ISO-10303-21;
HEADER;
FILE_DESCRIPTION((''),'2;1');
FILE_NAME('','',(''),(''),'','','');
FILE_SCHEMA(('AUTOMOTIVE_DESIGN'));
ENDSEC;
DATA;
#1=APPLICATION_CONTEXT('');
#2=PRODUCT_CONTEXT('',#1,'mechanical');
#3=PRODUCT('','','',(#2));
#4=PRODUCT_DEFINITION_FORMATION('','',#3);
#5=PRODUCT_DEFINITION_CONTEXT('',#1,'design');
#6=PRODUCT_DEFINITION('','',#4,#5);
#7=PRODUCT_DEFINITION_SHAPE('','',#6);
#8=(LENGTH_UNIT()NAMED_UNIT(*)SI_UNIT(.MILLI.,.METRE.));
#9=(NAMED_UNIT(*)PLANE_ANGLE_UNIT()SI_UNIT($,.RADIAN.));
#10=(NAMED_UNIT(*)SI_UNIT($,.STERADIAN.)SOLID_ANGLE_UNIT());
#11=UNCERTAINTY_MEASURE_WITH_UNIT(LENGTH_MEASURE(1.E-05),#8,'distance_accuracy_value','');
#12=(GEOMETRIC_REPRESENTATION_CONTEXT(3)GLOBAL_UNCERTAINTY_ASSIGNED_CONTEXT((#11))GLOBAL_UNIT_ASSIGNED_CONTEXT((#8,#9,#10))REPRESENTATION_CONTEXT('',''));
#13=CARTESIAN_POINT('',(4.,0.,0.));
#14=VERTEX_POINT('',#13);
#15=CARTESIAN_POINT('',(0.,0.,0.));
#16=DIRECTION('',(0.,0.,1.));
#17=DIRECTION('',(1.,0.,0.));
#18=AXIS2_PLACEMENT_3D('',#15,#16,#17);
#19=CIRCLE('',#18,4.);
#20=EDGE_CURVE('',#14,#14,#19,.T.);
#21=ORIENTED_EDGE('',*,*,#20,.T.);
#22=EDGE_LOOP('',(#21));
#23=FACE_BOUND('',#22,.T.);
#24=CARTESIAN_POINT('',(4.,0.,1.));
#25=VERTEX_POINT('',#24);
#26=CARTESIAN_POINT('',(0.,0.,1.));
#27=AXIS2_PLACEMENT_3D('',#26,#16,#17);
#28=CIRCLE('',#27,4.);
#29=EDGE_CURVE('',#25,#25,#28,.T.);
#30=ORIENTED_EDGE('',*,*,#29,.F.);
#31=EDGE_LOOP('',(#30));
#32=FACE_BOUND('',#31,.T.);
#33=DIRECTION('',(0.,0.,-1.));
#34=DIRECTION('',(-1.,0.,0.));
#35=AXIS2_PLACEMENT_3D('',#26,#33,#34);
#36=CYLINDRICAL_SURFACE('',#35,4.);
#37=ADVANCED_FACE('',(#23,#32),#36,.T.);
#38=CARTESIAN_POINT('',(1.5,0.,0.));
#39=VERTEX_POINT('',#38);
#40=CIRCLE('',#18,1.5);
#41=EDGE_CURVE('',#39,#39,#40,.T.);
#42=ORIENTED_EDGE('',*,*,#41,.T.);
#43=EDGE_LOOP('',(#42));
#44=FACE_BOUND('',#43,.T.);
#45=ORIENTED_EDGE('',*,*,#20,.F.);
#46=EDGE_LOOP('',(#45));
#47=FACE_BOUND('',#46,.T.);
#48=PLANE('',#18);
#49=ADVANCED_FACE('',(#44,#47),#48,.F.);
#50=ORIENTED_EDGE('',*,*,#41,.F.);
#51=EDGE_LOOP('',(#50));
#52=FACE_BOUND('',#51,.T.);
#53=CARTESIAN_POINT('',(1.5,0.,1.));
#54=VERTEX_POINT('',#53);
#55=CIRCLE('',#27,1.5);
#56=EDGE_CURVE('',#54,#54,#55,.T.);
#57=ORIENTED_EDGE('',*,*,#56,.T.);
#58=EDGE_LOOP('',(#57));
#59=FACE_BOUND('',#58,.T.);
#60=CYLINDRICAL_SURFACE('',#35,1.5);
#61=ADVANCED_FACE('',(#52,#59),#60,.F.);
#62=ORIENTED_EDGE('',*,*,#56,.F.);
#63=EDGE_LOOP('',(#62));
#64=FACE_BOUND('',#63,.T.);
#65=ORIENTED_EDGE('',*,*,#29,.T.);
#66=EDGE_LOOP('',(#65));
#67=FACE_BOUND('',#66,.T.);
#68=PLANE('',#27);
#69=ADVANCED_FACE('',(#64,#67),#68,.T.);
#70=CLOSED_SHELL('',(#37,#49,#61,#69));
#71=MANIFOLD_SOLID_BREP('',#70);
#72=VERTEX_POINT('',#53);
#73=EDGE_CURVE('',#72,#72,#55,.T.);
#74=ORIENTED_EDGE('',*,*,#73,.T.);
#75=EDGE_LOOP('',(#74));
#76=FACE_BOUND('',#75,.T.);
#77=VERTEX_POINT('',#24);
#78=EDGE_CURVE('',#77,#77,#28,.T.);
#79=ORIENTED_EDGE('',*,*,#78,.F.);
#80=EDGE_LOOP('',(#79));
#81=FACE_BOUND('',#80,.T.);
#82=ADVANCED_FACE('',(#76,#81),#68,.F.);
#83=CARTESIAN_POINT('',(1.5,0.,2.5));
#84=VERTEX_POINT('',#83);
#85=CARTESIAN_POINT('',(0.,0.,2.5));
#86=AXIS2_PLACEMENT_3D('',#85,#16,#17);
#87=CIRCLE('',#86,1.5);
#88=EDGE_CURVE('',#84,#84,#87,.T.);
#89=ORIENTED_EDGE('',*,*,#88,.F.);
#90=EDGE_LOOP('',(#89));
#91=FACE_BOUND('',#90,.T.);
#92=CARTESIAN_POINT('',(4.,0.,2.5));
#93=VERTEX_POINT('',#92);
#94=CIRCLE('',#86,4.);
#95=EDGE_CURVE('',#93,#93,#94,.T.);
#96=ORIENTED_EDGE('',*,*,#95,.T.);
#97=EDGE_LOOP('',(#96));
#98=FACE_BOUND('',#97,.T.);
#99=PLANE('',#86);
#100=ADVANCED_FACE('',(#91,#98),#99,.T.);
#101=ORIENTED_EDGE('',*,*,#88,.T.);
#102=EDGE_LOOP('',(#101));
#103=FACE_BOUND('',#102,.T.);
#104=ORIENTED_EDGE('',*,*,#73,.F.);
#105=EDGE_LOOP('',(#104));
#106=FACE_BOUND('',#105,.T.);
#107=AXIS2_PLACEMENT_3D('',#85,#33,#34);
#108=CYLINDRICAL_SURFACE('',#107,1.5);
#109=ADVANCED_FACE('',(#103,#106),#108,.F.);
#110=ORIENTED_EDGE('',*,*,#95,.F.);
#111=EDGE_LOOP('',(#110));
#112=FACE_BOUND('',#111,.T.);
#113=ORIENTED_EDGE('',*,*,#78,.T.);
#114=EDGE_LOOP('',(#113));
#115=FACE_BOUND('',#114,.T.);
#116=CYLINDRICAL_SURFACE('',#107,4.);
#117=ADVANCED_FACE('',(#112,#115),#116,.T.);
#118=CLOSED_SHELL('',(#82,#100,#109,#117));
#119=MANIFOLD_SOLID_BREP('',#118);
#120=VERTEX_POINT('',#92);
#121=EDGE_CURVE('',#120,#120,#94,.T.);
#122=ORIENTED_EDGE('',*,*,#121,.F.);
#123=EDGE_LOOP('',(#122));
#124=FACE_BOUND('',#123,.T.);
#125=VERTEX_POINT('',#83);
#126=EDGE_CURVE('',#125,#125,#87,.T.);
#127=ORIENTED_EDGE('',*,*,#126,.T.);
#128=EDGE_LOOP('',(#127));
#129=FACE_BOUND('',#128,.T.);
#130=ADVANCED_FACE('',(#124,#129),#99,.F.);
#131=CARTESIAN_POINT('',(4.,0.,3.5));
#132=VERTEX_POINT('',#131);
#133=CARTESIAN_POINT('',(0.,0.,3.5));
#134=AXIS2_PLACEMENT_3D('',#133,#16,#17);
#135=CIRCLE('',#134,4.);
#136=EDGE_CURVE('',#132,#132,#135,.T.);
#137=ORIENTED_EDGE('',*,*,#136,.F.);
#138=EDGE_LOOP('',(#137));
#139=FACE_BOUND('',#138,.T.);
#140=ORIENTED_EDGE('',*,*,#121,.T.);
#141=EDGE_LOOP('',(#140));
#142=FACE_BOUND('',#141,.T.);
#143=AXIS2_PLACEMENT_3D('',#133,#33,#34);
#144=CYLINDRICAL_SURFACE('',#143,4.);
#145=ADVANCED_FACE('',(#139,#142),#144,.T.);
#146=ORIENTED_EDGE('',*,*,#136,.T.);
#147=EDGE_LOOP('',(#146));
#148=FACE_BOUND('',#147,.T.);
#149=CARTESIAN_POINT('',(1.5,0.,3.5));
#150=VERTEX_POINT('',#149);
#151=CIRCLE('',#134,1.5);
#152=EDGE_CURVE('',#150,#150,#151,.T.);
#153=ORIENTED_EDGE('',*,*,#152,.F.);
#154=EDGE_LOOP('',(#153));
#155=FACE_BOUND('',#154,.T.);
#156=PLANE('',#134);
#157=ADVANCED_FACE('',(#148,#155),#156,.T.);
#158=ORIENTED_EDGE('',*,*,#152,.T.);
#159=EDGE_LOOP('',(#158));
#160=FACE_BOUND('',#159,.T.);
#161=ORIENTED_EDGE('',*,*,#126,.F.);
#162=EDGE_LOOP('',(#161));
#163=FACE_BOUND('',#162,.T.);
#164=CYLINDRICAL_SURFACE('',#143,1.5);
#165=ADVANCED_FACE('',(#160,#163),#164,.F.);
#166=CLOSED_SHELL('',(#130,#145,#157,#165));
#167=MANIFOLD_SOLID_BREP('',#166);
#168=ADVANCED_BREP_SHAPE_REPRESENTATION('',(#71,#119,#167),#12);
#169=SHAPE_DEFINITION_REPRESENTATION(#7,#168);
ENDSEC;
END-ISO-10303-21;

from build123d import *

# Parameters (mm, degrees)
CROQUIS1_R              = 4
CROQUIS1_R_2            = 1.5
SALIENTE_EXTRUIR1_DEPTH = 1
CROQUIS2_R              = 4
CROQUIS2_R_2            = 1.5
SALIENTE_EXTRUIR2_DEPTH = 1.5
CROQUIS3_R              = 4
CROQUIS3_R_2            = 1.5
SALIENTE_EXTRUIR3_DEPTH = 1


with BuildPart() as part:
    # Croquis1 → Saliente-Extruir1 (new body)
    with BuildSketch(Plane.XY):
        Circle(CROQUIS1_R)
        Circle(CROQUIS1_R_2, mode=Mode.SUBTRACT)
    extrude(amount=SALIENTE_EXTRUIR1_DEPTH)


with BuildPart() as body_2:
    # Croquis2 → Saliente-Extruir2 (new body)
    with BuildSketch(Plane.XY.offset(1)):
        Circle(CROQUIS2_R)
        Circle(CROQUIS2_R_2, mode=Mode.SUBTRACT)
    extrude(amount=SALIENTE_EXTRUIR2_DEPTH)


with BuildPart() as body_3:
    # Croquis3 → Saliente-Extruir3 (new body)
    with BuildSketch(Plane.XY.offset(2.5)):
        Circle(CROQUIS3_R)
        Circle(CROQUIS3_R_2, mode=Mode.SUBTRACT)
    extrude(amount=SALIENTE_EXTRUIR3_DEPTH)


solid = Compound([part.part, body_2.part, body_3.part])
